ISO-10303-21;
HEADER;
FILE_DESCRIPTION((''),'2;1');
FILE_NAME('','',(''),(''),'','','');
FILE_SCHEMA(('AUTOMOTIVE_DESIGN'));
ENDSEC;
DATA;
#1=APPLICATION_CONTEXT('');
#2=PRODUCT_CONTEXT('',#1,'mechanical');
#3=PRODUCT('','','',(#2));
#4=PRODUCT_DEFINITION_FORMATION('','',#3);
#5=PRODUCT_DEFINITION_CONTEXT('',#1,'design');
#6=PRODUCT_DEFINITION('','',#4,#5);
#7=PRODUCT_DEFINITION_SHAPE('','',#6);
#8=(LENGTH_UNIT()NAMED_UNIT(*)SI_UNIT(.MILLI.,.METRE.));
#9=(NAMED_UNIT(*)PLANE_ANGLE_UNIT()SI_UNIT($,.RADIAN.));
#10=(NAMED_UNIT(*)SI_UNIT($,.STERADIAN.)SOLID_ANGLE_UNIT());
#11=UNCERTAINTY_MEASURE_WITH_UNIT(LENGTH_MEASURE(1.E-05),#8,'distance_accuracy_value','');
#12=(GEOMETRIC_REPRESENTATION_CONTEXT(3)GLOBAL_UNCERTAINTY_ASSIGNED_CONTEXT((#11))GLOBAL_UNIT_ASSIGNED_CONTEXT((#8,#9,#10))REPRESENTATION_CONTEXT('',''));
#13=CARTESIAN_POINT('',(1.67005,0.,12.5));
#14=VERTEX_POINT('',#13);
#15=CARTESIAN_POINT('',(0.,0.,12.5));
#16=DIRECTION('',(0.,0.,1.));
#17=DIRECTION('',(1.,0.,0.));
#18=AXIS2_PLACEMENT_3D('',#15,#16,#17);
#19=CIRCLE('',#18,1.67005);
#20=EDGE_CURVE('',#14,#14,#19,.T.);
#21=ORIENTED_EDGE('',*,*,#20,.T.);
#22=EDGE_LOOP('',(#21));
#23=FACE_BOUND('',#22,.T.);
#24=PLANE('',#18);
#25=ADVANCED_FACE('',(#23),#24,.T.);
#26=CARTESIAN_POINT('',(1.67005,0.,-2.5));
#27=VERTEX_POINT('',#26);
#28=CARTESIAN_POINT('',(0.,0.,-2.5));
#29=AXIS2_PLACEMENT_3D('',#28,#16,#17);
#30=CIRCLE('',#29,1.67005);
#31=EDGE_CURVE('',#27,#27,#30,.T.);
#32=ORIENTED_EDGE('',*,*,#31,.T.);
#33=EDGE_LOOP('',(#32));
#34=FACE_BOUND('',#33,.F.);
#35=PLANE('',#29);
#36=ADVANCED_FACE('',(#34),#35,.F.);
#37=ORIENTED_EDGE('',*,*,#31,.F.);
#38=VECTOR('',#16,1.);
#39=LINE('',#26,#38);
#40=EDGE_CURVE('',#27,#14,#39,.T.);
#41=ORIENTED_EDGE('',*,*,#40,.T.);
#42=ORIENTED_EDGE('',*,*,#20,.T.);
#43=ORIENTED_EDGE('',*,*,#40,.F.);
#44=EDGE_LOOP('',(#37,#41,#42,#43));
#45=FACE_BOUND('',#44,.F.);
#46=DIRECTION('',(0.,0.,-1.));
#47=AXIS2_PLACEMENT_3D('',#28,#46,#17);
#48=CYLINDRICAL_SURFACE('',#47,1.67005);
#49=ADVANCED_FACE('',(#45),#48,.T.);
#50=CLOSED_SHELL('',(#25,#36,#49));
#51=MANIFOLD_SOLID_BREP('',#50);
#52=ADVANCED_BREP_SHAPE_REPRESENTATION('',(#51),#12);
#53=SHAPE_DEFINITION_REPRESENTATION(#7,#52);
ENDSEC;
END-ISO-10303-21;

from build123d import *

# Parameters (mm, degrees)
CYLINDER_R     = 1.67005
CYLINDER_DEPTH = 15


with BuildPart() as part:
    # Cylinder → Cylinder (new body)
    with BuildSketch(Plane.XY.offset(-2.5)):
        Circle(CYLINDER_R)
    extrude(amount=CYLINDER_DEPTH)


solid = part.part
